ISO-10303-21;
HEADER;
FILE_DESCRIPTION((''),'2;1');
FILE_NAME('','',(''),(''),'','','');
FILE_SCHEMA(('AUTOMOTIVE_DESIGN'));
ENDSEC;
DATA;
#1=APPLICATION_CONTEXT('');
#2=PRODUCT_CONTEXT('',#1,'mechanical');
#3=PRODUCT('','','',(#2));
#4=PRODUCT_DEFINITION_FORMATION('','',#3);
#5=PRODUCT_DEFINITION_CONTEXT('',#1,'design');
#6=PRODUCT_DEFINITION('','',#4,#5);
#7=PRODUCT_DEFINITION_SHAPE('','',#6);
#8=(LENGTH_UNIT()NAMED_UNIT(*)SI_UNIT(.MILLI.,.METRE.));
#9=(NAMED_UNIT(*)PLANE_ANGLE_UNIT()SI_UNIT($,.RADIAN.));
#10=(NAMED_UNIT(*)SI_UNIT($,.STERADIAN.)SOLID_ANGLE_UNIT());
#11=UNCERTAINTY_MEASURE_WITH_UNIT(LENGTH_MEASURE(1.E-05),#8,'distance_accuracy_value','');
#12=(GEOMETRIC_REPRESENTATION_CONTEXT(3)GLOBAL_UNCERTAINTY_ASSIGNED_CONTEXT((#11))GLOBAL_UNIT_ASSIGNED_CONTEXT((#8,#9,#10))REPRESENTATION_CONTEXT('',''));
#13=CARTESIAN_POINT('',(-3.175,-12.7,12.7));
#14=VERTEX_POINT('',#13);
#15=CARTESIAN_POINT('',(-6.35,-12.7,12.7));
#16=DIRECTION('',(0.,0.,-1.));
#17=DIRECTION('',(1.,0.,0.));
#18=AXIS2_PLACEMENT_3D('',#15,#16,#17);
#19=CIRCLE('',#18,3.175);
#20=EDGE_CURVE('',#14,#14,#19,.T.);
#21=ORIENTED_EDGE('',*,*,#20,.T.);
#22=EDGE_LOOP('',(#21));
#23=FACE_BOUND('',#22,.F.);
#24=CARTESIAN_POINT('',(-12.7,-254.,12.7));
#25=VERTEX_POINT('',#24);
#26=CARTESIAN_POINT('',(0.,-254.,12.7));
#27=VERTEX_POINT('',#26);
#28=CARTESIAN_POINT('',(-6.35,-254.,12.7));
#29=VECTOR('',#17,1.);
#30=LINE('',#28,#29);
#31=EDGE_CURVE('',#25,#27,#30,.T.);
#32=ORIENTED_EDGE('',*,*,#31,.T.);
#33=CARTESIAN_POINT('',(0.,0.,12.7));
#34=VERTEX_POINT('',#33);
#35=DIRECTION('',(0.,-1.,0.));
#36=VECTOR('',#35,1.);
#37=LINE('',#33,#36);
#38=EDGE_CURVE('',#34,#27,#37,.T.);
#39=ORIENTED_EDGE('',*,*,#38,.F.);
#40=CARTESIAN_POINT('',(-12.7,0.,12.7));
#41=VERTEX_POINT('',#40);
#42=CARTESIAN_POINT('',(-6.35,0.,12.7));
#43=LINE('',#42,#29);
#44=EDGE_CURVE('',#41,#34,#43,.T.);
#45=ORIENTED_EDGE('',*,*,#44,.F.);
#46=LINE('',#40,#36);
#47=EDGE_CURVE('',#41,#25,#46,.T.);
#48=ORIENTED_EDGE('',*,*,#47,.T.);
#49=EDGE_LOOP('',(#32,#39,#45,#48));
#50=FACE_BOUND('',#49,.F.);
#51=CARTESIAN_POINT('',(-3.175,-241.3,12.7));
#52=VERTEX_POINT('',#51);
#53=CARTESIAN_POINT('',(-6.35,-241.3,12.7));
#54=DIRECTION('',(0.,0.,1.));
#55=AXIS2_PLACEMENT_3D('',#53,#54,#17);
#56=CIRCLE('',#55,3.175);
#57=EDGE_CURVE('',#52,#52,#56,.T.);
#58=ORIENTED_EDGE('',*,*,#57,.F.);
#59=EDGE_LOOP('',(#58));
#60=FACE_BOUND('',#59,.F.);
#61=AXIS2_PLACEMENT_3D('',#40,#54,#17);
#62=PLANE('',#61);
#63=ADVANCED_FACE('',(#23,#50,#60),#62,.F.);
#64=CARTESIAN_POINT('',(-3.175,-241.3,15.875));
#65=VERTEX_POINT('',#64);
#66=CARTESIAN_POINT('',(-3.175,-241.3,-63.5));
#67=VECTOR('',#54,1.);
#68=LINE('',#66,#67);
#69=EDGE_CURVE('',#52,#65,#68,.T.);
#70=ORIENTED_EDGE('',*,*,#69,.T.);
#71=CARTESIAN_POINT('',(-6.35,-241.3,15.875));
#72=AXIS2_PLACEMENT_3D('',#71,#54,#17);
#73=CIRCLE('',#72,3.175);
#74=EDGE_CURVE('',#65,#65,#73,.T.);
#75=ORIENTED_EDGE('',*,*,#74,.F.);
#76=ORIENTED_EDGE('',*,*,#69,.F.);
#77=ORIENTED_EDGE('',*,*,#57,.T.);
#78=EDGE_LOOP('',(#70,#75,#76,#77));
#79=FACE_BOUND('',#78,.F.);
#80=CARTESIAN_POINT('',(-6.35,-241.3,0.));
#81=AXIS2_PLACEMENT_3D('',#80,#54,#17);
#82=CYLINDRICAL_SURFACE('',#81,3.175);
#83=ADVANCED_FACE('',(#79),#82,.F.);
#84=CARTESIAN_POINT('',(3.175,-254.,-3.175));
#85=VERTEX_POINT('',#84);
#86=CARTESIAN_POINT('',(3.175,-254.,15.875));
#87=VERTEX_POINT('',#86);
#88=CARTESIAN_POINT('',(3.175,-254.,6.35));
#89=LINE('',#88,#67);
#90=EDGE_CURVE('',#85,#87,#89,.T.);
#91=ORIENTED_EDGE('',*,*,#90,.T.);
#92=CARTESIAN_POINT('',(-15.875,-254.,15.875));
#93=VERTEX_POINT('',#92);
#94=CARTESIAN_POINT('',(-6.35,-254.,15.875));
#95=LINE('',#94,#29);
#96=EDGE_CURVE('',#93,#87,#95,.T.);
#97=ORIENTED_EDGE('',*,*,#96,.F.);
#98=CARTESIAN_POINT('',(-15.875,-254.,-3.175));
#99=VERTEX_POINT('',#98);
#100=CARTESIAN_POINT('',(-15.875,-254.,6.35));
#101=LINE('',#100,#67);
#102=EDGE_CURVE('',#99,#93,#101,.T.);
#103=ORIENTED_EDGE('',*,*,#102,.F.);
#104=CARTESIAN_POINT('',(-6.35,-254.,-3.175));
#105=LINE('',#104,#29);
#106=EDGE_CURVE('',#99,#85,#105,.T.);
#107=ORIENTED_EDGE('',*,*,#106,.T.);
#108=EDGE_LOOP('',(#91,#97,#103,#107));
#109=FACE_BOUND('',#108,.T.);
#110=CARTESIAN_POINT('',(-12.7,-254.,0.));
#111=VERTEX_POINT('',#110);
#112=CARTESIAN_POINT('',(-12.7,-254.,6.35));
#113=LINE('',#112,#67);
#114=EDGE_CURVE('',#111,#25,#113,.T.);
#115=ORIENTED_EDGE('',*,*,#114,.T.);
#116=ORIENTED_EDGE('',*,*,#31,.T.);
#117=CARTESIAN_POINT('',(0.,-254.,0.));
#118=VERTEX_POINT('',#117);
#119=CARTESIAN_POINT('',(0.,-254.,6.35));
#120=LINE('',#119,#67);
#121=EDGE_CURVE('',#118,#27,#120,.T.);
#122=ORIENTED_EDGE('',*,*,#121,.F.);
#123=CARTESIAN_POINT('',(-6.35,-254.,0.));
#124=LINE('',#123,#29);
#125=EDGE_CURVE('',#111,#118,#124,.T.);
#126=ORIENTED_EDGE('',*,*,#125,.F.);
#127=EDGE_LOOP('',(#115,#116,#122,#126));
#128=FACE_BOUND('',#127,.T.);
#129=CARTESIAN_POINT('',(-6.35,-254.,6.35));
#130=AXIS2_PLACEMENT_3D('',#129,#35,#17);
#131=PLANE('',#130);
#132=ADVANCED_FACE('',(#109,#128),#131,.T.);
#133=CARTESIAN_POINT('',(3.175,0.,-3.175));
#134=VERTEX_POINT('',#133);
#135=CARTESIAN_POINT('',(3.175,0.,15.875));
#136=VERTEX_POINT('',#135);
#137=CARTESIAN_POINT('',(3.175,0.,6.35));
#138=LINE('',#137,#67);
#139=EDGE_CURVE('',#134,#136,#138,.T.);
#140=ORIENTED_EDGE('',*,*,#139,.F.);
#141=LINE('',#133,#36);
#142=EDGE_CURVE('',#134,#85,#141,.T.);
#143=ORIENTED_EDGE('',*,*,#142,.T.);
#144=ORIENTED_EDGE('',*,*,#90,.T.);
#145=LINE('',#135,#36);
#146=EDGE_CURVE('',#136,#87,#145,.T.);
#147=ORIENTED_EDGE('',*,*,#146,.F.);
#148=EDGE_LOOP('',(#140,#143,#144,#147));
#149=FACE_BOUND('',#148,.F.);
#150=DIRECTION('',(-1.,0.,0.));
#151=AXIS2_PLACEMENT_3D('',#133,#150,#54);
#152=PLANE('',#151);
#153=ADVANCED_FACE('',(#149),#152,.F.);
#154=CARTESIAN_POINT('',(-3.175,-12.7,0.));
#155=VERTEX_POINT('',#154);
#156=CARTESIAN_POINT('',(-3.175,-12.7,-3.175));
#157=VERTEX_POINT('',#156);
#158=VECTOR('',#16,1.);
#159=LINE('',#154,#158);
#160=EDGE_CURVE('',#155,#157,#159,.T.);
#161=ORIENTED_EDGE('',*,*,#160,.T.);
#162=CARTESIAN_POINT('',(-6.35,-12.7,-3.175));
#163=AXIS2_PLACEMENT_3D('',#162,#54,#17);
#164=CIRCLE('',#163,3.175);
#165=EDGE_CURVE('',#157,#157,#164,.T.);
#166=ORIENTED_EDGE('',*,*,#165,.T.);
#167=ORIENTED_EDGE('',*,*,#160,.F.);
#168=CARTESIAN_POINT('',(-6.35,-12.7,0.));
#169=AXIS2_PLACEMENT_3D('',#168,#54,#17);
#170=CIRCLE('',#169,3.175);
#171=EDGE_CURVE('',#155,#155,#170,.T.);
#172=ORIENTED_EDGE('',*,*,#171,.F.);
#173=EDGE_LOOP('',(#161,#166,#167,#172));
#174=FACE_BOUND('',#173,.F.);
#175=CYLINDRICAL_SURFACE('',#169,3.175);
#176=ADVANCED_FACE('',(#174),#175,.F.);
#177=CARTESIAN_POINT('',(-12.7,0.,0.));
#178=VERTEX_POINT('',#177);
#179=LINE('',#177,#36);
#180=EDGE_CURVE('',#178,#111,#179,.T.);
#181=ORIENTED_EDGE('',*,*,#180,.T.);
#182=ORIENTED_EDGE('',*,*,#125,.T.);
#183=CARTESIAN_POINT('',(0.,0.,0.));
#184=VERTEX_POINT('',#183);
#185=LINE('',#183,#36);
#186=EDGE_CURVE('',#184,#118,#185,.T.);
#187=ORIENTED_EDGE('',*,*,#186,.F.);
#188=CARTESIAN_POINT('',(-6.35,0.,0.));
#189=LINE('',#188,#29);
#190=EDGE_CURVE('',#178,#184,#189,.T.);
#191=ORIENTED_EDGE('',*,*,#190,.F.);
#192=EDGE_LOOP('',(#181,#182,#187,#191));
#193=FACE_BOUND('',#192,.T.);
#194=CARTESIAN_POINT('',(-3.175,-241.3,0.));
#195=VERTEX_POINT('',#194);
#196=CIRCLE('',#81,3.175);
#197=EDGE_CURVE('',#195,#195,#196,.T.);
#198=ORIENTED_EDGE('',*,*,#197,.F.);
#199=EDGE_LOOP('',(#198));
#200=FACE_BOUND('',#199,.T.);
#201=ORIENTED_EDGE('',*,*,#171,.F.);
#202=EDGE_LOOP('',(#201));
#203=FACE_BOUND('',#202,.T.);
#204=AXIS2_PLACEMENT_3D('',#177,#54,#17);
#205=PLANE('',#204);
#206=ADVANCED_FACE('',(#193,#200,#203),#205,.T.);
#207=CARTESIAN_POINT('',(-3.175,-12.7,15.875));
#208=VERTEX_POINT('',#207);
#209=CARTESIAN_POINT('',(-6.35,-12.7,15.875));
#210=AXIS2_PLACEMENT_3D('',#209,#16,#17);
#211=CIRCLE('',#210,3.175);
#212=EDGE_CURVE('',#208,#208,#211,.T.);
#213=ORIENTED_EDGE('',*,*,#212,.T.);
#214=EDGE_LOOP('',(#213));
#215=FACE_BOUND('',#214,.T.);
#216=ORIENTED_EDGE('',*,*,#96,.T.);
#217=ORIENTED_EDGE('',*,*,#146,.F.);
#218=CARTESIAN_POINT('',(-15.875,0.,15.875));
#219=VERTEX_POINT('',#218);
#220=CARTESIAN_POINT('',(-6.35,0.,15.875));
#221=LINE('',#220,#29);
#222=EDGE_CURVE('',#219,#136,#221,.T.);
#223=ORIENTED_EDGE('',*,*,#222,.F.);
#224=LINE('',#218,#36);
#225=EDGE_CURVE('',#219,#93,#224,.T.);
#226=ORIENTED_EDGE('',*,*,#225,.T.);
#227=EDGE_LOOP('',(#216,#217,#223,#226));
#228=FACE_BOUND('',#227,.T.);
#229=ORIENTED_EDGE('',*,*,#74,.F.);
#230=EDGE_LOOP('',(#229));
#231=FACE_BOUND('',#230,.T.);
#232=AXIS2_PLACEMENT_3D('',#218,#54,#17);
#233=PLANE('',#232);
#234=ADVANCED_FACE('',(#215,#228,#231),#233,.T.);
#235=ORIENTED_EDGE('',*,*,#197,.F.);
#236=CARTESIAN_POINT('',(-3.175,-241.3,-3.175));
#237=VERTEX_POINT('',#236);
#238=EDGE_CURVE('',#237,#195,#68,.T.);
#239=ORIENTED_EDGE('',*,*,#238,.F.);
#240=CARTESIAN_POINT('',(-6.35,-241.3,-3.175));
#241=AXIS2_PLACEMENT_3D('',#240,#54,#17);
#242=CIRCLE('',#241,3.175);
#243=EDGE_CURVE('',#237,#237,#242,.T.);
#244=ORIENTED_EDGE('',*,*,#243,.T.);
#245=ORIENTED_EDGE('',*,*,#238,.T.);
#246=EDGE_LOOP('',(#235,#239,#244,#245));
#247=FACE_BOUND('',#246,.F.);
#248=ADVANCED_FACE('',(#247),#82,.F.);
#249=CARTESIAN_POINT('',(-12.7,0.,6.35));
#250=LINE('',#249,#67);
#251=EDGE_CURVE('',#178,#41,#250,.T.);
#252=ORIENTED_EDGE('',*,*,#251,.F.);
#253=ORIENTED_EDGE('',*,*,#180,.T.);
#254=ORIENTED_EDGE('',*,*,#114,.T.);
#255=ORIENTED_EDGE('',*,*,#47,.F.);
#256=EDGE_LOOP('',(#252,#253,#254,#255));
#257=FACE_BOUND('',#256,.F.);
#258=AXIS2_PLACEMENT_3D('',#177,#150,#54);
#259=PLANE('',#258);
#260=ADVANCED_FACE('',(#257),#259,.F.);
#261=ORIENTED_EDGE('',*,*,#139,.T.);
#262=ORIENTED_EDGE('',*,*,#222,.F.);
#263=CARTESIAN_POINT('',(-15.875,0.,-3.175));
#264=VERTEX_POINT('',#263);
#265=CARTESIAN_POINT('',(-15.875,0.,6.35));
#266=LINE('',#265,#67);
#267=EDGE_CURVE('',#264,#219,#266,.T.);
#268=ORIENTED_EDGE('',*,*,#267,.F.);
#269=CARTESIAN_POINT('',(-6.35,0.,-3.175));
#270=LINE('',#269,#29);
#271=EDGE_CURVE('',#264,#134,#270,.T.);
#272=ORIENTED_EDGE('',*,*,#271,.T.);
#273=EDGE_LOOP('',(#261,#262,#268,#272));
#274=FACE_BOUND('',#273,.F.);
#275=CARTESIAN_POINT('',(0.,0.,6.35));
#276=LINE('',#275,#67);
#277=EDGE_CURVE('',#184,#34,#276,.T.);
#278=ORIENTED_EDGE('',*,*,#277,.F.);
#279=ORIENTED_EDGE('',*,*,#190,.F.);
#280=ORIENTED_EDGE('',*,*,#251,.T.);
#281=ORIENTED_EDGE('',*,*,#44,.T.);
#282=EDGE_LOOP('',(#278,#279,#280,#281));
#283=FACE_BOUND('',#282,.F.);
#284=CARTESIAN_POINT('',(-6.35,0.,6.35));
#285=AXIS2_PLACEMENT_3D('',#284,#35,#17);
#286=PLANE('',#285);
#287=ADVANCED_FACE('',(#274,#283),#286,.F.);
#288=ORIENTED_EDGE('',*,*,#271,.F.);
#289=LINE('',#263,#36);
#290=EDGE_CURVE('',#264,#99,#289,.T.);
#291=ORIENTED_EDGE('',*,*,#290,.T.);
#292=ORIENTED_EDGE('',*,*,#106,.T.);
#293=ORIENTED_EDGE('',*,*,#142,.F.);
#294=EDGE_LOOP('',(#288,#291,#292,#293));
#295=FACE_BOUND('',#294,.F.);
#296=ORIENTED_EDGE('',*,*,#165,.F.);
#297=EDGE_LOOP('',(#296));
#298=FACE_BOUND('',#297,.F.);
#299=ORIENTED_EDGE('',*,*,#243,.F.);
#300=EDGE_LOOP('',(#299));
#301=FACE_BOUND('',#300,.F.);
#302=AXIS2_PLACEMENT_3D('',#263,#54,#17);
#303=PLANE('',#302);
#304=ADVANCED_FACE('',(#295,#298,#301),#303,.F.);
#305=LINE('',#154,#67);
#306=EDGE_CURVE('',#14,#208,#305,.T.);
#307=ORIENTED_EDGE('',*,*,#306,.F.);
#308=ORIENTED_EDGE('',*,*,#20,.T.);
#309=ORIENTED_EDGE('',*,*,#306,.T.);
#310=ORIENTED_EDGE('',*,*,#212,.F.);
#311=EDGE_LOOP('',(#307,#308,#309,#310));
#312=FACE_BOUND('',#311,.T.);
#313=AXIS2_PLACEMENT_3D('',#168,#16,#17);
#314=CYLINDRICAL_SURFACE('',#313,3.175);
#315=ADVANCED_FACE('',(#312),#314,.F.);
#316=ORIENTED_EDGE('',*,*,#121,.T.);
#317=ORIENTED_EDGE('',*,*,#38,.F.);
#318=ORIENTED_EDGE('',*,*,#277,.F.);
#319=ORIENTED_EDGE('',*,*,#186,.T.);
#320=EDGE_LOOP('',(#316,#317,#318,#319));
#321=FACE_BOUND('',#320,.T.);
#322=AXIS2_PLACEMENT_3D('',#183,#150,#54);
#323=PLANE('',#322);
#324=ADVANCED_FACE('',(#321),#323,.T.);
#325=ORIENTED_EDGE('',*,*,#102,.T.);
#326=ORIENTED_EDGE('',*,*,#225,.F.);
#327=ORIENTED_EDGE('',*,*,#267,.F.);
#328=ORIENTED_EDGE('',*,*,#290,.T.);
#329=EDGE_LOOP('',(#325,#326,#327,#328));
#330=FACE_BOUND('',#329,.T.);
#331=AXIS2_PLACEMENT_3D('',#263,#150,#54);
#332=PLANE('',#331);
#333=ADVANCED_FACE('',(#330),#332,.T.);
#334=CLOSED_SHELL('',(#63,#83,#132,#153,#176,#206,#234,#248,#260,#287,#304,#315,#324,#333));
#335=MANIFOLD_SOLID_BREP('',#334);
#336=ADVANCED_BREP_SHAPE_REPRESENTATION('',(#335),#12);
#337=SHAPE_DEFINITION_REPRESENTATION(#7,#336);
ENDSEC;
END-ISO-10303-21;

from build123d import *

# Parameters (mm, degrees)
F0_W     = 19.05
F0_H     = 19.05
F0_W_2   = 12.7
F0_H_2   = 12.7
F1_DEPTH = 254
F2_R     = 3.175
F3_DEPTH = 63.5


with BuildPart() as f1:
    # F0 (on Front) → F1 (new body)
    with BuildSketch(Plane.XZ):
        with Locations((-6.35, 6.35)):
            Rectangle(F0_W, F0_H)
        with Locations((-6.35, 6.35)):
            Rectangle(F0_W_2, F0_H_2, mode=Mode.SUBTRACT)
    extrude(amount=F1_DEPTH)

    # F2 (on Top) → F3 (cut, symmetric)
    with BuildSketch(Plane.XY):
        with Locations((-6.35, -12.7)):
            Circle(F2_R)
        with Locations((-6.35, -241.3)):
            Circle(F2_R)
    extrude(amount=F3_DEPTH, both=True, mode=Mode.SUBTRACT)


solid = f1.part
